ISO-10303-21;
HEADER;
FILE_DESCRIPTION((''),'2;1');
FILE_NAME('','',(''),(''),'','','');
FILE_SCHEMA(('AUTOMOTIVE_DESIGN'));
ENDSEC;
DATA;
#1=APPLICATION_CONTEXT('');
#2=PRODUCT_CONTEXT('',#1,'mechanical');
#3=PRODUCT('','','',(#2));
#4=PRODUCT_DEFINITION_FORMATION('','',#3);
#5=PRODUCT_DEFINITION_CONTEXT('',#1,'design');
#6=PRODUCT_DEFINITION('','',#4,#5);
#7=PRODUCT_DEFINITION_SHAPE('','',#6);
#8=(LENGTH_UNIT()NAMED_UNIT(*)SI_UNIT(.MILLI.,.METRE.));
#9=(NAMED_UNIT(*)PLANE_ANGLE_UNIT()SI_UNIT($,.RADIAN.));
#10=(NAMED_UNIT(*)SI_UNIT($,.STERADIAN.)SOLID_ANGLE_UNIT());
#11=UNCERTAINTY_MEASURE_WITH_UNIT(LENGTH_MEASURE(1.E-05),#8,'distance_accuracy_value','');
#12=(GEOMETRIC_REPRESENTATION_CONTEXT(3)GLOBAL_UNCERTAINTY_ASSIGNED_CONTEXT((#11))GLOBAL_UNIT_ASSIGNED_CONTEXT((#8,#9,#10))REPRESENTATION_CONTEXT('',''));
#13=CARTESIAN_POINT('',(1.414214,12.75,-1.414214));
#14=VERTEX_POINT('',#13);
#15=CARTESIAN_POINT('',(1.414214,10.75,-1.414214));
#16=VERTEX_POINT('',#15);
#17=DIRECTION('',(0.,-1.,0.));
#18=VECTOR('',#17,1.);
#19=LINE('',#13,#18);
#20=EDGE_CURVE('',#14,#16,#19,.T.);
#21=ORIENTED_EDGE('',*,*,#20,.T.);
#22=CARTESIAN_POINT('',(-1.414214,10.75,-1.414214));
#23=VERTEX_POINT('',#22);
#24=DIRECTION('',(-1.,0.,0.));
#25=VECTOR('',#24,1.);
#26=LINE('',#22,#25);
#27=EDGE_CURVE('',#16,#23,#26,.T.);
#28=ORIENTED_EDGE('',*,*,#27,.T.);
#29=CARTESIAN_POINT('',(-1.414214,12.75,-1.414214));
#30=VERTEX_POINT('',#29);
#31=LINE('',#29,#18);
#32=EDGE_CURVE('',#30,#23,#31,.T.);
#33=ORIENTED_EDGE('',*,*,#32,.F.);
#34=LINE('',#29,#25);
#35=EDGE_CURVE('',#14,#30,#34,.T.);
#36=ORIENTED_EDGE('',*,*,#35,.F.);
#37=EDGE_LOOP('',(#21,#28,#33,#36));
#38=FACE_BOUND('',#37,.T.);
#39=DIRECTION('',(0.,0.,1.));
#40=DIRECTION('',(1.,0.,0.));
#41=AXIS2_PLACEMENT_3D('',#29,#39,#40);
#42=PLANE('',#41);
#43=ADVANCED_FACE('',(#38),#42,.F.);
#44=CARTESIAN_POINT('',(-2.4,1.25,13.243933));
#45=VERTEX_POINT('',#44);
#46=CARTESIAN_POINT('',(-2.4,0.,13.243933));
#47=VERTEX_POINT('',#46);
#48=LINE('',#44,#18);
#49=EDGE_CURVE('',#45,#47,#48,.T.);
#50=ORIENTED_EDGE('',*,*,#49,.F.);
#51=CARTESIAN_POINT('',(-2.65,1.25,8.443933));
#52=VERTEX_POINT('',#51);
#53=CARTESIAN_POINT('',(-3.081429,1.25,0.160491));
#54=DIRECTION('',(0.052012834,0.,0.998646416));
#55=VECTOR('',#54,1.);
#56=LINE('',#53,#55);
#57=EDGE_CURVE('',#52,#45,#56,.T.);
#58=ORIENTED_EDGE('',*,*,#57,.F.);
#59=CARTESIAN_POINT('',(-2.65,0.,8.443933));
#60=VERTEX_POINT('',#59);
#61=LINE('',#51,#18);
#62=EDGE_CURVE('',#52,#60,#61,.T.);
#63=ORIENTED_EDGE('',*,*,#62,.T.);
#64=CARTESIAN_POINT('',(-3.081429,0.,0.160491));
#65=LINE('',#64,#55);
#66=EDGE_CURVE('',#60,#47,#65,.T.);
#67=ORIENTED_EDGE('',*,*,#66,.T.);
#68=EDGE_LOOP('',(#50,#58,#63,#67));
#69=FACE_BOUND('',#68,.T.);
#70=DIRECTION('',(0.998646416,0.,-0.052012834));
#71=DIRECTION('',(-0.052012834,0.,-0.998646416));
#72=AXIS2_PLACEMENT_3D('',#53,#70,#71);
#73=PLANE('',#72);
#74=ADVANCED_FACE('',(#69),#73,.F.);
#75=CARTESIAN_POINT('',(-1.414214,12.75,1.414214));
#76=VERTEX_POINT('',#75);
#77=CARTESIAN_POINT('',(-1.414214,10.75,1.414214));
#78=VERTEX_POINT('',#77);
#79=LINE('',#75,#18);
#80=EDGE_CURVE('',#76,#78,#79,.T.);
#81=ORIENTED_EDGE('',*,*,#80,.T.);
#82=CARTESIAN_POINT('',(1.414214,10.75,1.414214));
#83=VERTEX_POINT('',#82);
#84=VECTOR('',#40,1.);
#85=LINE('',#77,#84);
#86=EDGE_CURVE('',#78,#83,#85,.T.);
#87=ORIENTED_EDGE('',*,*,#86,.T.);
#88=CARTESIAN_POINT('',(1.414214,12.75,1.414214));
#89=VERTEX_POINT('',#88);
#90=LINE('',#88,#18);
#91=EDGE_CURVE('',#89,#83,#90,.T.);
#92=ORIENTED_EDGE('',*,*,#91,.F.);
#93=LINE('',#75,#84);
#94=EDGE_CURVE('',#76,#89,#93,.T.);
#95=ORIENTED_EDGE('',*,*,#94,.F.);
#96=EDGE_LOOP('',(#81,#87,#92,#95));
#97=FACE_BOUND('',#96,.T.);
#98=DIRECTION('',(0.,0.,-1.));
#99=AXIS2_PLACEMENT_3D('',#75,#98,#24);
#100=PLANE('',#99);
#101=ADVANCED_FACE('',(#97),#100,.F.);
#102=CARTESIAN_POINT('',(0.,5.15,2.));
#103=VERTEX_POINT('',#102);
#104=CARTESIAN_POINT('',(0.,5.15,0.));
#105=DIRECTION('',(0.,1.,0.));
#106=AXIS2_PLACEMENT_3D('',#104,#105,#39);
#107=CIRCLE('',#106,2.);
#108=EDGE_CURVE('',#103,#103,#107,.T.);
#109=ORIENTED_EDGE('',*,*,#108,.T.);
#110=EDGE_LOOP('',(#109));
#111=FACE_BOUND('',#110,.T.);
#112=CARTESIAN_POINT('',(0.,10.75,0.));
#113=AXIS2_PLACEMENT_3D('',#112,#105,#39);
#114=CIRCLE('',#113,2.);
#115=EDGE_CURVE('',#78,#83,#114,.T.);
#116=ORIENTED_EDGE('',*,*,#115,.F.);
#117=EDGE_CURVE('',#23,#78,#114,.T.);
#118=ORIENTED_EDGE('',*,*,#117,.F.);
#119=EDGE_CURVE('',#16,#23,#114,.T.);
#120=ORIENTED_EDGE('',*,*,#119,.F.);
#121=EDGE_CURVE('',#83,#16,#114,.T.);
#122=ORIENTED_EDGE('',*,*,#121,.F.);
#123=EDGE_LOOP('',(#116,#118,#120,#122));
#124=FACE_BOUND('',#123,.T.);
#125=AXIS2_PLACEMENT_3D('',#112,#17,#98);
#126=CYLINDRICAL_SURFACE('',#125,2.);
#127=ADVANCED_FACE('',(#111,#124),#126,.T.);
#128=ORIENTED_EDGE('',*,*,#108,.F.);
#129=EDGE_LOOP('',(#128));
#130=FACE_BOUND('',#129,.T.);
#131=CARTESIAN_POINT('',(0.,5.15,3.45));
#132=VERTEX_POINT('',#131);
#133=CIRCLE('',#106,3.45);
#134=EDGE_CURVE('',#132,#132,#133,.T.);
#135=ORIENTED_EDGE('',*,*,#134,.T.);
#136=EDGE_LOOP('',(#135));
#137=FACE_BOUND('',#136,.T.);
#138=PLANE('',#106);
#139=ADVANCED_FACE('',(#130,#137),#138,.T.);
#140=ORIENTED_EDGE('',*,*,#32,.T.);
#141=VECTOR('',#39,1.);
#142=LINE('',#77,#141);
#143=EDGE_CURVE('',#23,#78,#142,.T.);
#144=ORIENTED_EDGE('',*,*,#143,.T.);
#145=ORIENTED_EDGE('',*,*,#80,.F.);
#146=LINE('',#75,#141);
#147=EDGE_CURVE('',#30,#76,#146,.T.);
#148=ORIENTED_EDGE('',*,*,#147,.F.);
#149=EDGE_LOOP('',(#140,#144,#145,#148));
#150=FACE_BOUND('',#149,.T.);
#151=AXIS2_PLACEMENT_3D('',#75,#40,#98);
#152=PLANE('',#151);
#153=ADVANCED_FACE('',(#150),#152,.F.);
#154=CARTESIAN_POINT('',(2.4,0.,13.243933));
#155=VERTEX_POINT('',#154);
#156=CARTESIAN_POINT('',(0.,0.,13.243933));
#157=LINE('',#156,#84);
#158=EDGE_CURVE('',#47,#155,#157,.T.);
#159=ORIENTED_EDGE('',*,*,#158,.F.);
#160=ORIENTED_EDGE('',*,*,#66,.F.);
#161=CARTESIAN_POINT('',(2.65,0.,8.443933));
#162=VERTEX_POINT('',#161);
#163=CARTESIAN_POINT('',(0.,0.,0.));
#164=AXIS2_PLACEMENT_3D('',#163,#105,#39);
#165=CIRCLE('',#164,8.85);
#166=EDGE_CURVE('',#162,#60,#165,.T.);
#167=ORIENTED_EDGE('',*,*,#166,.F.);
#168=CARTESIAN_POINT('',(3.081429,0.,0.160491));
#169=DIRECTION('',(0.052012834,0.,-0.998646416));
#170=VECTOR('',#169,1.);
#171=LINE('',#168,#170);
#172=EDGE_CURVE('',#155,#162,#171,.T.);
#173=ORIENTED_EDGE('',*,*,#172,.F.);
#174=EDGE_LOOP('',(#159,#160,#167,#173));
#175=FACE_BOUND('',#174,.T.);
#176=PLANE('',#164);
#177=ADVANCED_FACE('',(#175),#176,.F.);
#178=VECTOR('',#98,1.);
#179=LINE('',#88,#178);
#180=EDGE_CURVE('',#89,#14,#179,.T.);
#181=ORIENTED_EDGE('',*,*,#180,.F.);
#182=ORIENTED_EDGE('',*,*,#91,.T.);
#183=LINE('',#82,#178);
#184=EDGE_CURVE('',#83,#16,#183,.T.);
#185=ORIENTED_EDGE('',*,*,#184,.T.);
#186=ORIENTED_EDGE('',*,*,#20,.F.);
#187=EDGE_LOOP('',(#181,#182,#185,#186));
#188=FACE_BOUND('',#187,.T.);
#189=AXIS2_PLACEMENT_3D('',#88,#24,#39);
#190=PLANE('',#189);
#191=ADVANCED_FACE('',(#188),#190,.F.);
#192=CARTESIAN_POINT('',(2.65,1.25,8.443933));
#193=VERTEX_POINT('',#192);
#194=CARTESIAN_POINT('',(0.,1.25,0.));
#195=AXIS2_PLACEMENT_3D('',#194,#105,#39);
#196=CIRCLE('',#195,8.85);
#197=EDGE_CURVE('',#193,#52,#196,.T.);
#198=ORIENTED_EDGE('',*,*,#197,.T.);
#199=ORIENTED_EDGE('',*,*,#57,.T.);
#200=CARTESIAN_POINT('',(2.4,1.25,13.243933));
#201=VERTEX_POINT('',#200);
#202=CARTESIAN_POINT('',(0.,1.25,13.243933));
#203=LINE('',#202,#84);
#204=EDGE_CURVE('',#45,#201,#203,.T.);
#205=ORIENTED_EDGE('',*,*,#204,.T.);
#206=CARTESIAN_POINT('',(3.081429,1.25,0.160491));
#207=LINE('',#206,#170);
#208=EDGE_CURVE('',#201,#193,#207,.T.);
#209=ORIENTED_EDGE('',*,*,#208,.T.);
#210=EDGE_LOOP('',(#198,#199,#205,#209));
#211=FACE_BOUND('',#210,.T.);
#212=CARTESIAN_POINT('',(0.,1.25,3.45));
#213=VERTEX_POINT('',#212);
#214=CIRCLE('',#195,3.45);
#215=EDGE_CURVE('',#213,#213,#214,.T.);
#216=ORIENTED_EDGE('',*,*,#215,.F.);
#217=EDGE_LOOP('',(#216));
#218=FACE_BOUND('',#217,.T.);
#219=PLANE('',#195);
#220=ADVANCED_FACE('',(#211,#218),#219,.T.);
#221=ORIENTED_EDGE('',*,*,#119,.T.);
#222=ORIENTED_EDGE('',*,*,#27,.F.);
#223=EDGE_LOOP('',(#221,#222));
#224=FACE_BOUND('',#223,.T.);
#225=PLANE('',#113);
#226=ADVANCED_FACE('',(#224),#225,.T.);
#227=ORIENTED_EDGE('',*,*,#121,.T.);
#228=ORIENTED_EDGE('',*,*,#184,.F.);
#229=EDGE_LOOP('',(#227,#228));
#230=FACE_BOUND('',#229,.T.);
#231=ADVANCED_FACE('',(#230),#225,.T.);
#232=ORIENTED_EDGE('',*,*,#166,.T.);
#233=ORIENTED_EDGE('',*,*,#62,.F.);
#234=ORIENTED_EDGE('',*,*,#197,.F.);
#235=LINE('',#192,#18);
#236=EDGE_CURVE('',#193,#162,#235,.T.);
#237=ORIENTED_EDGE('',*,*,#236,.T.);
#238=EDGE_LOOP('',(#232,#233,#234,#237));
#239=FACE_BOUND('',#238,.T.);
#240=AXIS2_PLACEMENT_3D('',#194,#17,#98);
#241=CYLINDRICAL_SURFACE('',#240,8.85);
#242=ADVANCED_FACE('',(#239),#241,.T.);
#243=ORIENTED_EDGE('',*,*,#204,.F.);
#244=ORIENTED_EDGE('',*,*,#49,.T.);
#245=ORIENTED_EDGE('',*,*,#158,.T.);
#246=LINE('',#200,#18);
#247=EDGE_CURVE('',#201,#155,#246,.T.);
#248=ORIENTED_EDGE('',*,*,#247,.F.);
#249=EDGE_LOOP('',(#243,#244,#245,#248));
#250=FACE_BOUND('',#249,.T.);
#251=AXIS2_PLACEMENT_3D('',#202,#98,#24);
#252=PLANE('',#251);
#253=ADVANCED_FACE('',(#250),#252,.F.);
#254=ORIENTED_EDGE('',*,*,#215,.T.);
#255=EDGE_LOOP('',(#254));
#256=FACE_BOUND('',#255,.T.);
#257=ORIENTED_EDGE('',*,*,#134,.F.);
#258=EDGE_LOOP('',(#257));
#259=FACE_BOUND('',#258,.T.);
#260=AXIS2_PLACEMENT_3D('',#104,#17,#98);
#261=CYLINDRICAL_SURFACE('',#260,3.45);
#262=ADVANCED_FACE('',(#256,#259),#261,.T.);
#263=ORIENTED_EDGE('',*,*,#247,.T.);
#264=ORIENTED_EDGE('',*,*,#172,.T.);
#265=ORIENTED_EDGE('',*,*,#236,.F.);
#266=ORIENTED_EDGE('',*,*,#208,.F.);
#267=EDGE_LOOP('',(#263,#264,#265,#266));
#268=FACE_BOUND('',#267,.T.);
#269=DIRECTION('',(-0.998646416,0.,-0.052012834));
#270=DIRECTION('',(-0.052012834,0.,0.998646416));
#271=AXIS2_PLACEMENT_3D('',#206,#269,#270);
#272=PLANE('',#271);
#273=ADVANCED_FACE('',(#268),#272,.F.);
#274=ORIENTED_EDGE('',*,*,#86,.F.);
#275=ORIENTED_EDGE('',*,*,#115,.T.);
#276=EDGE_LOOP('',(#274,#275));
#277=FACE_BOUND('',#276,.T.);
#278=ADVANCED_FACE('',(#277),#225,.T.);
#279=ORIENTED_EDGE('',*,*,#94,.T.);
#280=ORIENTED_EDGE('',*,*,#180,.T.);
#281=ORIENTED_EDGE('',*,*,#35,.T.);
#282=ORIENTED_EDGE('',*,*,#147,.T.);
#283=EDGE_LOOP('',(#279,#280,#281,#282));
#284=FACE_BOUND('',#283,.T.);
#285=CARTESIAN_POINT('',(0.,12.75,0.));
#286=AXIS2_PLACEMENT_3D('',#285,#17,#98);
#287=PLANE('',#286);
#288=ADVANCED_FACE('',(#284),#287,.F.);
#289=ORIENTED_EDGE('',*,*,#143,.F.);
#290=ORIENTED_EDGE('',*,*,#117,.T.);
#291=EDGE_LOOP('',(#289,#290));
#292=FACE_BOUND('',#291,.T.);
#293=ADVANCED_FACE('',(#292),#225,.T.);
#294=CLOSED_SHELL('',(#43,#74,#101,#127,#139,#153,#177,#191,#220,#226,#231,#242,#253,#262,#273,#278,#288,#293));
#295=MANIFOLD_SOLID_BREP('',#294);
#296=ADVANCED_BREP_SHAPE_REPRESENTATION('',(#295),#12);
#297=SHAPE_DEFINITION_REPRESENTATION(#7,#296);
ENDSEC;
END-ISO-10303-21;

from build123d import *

# Parameters (mm, degrees)
SKETCH1_R           = 8.85
BOSS_EXTRUDE1_DEPTH = 1.25
SKETCH2_R           = 3.45
BOSS_EXTRUDE2_DEPTH = 3.9
SKETCH3_R           = 2
BOSS_EXTRUDE3_DEPTH = 5.6
SKETCH4_W           = 2.828427124
SKETCH4_H           = 2.828427124
BOSS_EXTRUDE4_DEPTH = 2
BOSS_EXTRUDE5_DEPTH = 1.25


with BuildPart() as part:
    # Sketch1 → Boss-Extrude1 (new body)
    with BuildSketch(Plane(origin=(0, 0, 0), x_dir=(1, 0, 0), z_dir=(0, 1, 0))):
        with Locations(Location((0, 0, 0), (0, 0, 270))):
            Circle(SKETCH1_R)
    extrude(amount=BOSS_EXTRUDE1_DEPTH)

    # Sketch2 → Boss-Extrude2 (add)
    with BuildSketch(Plane(origin=(0, 1.25, 0), x_dir=(1, 0, 0), z_dir=(0, 1, 0))):
        with Locations(Location((0, 0, 0), (0, 0, 270))):
            Circle(SKETCH2_R)
    extrude(amount=BOSS_EXTRUDE2_DEPTH)

    # Sketch3 → Boss-Extrude3 (add)
    with BuildSketch(Plane(origin=(0, 5.15, 0), x_dir=(1, 0, 0), z_dir=(0, 1, 0))):
        with Locations(Location((0, 0, 0), (0, 0, 270))):
            Circle(SKETCH3_R)
    extrude(amount=BOSS_EXTRUDE3_DEPTH)

    # Sketch4 → Boss-Extrude4 (add)
    with BuildSketch(Plane(origin=(0, 10.75, 0), x_dir=(1, 0, 0), z_dir=(0, 1, 0))):
        Rectangle(SKETCH4_W, SKETCH4_H)
    extrude(amount=BOSS_EXTRUDE4_DEPTH)

    # Sketch5 → Boss-Extrude5 (add)
    with BuildSketch(Plane.XZ):
        with BuildLine():
            ThreePointArc((-2.65, 8.443932733), (-1.340465463, 8.747894166), (0, 8.85))
            Line((0, 8.85), (0, 13.243932733))
            Line((0, 13.243932733), (-2.4, 13.243932733))
            Line((-2.4, 13.243932733), (-2.65, 8.443932733))
        make_face()
        with BuildLine():
            Line((0, 13.243932733), (0, 8.85))
            ThreePointArc((0, 8.85), (1.340465463, 8.747894166), (2.65, 8.443932733))
            Line((2.65, 8.443932733), (2.4, 13.243932733))
            Line((2.4, 13.243932733), (0, 13.243932733))
        make_face()
    extrude(amount=-BOSS_EXTRUDE5_DEPTH)


solid = part.part
